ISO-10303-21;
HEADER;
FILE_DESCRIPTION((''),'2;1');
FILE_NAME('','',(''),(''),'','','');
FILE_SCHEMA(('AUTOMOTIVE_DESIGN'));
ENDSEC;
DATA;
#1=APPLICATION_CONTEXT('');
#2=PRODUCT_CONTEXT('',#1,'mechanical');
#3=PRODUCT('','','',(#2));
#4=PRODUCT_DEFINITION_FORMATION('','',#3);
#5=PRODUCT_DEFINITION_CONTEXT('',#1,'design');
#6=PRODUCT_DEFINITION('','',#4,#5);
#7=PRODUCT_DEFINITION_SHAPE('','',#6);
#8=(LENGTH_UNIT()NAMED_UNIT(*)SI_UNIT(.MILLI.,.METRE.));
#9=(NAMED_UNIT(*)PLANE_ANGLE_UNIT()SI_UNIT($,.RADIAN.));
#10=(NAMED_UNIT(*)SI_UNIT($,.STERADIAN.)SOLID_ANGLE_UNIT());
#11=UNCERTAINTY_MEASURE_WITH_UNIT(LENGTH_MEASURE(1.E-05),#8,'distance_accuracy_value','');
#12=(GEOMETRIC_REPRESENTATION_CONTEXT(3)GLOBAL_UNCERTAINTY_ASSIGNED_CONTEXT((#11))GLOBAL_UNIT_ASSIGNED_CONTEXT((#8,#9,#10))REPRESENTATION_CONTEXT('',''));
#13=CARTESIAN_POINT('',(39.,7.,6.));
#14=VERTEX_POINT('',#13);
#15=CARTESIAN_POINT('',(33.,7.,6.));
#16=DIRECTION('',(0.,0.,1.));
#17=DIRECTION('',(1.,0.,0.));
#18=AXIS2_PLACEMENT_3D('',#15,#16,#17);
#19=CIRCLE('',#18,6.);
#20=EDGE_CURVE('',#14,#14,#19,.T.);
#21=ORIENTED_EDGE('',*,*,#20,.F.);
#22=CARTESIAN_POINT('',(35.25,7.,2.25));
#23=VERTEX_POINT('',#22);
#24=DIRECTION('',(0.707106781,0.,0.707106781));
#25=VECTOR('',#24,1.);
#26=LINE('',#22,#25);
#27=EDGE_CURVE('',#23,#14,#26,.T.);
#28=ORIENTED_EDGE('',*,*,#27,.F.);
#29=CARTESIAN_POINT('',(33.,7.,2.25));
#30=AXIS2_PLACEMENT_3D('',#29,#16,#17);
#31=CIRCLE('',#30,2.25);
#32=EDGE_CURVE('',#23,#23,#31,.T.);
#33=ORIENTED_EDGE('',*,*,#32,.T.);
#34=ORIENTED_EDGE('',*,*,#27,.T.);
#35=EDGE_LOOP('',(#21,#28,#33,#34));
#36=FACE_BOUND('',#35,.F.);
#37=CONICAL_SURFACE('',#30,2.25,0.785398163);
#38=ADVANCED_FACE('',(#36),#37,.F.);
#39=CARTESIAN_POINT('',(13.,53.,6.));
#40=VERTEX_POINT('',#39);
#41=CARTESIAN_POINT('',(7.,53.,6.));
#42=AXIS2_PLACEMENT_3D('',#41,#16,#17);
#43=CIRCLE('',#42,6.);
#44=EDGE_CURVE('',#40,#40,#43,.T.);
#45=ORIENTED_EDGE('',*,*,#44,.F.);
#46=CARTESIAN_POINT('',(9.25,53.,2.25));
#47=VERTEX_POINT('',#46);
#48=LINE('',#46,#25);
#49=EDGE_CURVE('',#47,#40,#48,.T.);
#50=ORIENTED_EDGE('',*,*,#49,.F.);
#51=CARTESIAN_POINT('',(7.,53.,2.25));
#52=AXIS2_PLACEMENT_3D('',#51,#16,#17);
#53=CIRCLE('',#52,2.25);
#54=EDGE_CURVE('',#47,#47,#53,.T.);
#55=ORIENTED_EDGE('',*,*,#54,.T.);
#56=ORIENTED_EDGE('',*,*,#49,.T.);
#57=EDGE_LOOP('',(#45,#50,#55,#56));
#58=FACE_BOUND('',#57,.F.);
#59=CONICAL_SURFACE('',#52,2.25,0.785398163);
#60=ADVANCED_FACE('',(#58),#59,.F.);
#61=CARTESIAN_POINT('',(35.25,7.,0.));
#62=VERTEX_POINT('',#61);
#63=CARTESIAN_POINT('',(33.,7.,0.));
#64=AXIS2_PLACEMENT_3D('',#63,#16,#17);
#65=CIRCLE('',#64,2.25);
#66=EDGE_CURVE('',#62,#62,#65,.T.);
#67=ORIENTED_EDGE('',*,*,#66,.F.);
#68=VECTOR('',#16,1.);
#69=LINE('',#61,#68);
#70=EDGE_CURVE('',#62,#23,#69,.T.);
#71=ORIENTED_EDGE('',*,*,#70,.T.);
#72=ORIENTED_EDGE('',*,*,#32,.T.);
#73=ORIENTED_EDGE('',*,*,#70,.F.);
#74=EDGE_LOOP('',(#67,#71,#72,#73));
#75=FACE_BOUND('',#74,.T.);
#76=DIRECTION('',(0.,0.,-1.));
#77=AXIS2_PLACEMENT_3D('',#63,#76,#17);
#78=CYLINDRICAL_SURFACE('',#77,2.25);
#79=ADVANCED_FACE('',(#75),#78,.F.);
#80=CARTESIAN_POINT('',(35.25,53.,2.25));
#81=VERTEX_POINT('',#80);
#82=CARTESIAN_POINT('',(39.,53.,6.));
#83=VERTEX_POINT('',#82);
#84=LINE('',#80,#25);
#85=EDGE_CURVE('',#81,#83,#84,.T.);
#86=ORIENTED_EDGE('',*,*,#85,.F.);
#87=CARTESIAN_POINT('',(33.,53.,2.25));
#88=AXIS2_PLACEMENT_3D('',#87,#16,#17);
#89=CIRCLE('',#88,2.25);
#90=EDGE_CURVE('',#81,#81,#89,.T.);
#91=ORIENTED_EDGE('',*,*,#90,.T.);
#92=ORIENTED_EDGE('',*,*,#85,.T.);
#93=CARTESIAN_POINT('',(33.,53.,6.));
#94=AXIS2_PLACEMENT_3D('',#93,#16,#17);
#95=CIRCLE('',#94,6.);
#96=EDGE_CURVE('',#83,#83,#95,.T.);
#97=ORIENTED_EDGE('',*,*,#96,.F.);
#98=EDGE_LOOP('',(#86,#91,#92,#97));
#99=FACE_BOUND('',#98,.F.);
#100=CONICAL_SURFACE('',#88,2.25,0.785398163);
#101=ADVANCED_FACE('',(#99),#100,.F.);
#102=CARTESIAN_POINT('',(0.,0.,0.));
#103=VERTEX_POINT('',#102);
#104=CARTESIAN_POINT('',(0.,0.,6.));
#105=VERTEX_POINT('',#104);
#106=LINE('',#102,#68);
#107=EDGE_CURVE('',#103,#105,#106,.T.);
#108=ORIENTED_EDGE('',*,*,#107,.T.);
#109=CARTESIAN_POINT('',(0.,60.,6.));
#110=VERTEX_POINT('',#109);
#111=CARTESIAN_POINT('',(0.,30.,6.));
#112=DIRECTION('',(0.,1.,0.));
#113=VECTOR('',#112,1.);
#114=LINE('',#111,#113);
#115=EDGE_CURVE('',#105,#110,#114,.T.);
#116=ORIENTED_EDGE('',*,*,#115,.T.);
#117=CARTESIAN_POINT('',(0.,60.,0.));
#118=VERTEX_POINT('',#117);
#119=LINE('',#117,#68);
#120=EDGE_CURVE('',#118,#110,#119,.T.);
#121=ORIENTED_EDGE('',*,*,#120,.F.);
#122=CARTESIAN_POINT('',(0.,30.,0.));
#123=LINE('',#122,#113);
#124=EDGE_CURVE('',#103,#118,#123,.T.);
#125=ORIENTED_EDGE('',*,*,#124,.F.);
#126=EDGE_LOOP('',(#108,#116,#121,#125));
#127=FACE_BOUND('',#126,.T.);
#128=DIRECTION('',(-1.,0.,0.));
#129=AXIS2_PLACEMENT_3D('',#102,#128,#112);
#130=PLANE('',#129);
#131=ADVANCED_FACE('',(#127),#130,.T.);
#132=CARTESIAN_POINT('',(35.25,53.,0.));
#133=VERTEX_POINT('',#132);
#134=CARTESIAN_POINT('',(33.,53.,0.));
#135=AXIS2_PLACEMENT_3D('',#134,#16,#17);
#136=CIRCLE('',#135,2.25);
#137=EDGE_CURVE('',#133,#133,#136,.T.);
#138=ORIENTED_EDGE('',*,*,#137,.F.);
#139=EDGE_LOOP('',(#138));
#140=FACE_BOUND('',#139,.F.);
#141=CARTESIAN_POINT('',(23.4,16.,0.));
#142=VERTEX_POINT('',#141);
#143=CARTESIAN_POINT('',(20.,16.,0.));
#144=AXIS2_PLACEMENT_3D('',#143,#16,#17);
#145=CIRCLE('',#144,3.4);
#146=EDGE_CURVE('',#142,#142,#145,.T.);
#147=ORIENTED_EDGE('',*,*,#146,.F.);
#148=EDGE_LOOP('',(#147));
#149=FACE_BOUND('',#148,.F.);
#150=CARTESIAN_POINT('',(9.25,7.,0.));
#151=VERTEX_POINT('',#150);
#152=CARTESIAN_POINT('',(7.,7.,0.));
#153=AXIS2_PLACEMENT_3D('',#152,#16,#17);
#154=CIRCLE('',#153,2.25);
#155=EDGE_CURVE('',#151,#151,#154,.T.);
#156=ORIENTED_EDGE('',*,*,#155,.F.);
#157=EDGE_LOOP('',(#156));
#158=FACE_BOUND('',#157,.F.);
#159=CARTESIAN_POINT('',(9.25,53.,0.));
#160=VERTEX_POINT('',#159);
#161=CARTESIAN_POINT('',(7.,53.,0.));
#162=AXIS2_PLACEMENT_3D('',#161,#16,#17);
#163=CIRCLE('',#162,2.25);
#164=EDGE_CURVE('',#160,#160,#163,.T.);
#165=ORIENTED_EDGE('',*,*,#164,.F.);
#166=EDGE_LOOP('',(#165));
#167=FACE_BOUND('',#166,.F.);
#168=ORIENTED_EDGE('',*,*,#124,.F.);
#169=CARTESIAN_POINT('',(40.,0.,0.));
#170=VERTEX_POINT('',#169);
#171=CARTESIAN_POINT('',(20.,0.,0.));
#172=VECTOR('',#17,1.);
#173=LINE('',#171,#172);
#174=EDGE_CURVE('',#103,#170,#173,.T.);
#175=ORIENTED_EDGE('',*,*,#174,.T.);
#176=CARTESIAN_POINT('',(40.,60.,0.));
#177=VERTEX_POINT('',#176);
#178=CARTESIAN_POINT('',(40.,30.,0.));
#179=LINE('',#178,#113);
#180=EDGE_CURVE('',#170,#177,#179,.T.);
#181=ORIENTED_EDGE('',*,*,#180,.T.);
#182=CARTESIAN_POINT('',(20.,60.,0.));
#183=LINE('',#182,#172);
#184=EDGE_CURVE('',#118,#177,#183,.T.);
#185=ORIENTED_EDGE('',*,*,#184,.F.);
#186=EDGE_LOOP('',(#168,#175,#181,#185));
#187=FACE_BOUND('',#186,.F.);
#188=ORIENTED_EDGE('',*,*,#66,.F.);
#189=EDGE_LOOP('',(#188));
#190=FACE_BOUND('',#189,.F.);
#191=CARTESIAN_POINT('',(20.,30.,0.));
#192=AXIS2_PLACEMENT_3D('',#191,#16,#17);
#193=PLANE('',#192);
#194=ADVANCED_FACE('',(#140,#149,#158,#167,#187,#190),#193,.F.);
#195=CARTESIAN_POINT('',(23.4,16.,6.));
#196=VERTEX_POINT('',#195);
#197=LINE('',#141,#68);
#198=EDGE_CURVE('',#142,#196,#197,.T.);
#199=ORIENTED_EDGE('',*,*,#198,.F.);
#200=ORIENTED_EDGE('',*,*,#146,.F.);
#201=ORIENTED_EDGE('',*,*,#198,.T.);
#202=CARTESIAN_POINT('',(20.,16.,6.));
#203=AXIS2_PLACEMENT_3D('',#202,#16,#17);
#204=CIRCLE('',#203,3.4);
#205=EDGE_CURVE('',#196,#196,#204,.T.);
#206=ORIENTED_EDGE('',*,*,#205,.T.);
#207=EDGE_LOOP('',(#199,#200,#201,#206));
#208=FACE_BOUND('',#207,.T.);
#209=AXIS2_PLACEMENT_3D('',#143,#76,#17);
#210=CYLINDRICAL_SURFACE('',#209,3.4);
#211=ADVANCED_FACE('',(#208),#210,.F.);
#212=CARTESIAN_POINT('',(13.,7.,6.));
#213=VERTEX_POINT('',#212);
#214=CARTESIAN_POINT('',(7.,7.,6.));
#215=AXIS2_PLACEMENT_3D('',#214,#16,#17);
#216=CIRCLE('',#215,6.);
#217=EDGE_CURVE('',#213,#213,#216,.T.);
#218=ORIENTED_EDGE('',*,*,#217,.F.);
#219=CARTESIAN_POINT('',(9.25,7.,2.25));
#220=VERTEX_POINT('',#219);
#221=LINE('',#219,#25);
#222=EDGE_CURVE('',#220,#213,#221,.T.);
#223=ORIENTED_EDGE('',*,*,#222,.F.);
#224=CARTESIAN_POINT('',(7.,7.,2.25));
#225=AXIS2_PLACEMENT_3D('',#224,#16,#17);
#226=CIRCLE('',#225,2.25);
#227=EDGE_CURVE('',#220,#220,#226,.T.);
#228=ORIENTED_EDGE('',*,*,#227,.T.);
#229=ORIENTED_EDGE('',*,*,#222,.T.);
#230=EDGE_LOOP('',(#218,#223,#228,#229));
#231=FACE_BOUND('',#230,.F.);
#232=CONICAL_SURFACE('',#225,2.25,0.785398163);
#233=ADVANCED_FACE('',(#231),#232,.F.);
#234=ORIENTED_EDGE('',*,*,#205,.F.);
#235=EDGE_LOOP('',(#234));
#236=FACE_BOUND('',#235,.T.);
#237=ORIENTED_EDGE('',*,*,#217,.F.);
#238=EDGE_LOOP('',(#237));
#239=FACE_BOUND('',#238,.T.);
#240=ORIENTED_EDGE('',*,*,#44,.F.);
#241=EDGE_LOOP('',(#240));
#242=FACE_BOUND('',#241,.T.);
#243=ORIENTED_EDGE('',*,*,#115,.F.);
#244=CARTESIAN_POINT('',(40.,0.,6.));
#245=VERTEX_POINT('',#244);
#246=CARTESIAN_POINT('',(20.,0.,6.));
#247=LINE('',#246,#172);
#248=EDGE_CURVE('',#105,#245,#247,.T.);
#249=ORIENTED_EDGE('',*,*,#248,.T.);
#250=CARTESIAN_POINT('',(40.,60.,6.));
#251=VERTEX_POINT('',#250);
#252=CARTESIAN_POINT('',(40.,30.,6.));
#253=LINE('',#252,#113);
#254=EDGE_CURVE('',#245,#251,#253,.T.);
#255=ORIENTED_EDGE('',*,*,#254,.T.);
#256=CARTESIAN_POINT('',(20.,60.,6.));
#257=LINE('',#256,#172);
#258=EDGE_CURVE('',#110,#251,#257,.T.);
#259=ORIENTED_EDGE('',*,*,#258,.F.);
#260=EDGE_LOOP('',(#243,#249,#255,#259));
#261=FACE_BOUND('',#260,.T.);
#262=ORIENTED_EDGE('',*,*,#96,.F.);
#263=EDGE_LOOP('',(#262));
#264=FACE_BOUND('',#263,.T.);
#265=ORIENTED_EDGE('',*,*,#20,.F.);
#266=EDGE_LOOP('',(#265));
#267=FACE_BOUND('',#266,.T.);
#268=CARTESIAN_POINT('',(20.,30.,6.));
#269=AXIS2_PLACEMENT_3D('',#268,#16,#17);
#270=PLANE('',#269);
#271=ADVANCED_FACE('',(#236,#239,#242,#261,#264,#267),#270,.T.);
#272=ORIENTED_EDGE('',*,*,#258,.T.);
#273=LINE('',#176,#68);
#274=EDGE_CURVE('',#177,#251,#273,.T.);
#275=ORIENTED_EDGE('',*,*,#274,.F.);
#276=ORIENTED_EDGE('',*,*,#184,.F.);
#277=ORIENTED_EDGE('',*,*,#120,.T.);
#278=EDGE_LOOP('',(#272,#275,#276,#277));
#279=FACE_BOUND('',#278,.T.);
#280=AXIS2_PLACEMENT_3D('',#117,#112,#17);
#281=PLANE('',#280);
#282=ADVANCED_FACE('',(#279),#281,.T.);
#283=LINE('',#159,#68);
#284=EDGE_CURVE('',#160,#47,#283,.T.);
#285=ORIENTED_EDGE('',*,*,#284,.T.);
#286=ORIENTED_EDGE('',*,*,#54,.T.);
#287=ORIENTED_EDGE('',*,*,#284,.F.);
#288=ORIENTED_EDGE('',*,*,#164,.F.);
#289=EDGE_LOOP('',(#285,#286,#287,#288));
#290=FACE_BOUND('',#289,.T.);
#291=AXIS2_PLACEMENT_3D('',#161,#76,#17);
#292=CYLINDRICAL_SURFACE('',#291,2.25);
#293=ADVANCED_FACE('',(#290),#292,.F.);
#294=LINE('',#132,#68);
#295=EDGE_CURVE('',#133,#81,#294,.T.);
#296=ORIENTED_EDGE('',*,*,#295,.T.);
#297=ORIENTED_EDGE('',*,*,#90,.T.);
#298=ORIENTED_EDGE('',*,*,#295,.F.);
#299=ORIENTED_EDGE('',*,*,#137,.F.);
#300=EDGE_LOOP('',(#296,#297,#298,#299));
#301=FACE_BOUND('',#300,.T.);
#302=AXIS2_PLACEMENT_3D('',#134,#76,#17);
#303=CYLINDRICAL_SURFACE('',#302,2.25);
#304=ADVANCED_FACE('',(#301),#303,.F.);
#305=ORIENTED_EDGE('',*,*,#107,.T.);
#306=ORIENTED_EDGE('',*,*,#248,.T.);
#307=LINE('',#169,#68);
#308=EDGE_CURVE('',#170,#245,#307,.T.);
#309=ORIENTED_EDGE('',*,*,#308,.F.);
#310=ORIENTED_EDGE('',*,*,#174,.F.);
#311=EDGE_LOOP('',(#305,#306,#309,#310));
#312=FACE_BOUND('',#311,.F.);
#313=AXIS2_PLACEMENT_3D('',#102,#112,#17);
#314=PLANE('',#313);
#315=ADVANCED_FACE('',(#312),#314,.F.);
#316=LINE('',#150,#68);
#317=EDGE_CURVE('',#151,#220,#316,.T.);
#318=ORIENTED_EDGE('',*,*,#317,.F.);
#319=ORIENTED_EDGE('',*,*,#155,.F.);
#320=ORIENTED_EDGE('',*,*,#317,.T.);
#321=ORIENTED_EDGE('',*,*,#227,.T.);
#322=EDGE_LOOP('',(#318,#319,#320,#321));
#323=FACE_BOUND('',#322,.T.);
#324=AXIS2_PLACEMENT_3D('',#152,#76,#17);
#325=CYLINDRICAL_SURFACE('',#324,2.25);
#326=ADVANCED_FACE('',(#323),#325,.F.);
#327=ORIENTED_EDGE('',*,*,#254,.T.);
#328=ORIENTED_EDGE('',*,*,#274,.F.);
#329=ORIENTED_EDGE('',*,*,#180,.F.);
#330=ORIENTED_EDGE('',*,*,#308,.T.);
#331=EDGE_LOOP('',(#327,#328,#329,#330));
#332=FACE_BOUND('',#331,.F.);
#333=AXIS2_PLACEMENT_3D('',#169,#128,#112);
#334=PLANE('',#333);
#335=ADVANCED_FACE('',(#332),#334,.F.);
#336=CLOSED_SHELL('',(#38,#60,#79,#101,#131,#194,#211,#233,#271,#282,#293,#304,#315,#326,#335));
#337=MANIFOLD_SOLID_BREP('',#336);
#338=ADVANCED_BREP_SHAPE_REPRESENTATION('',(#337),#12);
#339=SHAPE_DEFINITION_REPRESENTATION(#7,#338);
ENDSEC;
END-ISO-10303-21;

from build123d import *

# Parameters (mm, degrees)
F0_W     = 40
F0_H     = 60
F0_R     = 2.25
F0_R_2   = 3.4
F1_DEPTH = 6
F2_SIZE2 = 3.75
F2_SIZE  = 3.75


with BuildPart() as f1:
    # F0 (on Top) → F1 (new body)
    with BuildSketch(Plane.XY):
        with Locations((20, 30)):
            Rectangle(F0_W, F0_H)
        with Locations((7, 7)):
            Circle(F0_R, mode=Mode.SUBTRACT)
        with Locations((33, 7)):
            Circle(F0_R, mode=Mode.SUBTRACT)
        with Locations((20, 16)):
            Circle(F0_R_2, mode=Mode.SUBTRACT)
        with Locations((7, 53)):
            Circle(F0_R, mode=Mode.SUBTRACT)
        with Locations((33, 53)):
            Circle(F0_R, mode=Mode.SUBTRACT)
    extrude(amount=F1_DEPTH)

    # F2
    f2_edges = [f1.edges().sort_by_distance(p)[0] for p in [
        (30.75, 7, 6),
        (4.75, 7, 6),
        (4.75, 53, 6),
        (30.75, 53, 6),
    ]]
    chamfer(f2_edges, length=F2_SIZE, length2=F2_SIZE2)


solid = f1.part
